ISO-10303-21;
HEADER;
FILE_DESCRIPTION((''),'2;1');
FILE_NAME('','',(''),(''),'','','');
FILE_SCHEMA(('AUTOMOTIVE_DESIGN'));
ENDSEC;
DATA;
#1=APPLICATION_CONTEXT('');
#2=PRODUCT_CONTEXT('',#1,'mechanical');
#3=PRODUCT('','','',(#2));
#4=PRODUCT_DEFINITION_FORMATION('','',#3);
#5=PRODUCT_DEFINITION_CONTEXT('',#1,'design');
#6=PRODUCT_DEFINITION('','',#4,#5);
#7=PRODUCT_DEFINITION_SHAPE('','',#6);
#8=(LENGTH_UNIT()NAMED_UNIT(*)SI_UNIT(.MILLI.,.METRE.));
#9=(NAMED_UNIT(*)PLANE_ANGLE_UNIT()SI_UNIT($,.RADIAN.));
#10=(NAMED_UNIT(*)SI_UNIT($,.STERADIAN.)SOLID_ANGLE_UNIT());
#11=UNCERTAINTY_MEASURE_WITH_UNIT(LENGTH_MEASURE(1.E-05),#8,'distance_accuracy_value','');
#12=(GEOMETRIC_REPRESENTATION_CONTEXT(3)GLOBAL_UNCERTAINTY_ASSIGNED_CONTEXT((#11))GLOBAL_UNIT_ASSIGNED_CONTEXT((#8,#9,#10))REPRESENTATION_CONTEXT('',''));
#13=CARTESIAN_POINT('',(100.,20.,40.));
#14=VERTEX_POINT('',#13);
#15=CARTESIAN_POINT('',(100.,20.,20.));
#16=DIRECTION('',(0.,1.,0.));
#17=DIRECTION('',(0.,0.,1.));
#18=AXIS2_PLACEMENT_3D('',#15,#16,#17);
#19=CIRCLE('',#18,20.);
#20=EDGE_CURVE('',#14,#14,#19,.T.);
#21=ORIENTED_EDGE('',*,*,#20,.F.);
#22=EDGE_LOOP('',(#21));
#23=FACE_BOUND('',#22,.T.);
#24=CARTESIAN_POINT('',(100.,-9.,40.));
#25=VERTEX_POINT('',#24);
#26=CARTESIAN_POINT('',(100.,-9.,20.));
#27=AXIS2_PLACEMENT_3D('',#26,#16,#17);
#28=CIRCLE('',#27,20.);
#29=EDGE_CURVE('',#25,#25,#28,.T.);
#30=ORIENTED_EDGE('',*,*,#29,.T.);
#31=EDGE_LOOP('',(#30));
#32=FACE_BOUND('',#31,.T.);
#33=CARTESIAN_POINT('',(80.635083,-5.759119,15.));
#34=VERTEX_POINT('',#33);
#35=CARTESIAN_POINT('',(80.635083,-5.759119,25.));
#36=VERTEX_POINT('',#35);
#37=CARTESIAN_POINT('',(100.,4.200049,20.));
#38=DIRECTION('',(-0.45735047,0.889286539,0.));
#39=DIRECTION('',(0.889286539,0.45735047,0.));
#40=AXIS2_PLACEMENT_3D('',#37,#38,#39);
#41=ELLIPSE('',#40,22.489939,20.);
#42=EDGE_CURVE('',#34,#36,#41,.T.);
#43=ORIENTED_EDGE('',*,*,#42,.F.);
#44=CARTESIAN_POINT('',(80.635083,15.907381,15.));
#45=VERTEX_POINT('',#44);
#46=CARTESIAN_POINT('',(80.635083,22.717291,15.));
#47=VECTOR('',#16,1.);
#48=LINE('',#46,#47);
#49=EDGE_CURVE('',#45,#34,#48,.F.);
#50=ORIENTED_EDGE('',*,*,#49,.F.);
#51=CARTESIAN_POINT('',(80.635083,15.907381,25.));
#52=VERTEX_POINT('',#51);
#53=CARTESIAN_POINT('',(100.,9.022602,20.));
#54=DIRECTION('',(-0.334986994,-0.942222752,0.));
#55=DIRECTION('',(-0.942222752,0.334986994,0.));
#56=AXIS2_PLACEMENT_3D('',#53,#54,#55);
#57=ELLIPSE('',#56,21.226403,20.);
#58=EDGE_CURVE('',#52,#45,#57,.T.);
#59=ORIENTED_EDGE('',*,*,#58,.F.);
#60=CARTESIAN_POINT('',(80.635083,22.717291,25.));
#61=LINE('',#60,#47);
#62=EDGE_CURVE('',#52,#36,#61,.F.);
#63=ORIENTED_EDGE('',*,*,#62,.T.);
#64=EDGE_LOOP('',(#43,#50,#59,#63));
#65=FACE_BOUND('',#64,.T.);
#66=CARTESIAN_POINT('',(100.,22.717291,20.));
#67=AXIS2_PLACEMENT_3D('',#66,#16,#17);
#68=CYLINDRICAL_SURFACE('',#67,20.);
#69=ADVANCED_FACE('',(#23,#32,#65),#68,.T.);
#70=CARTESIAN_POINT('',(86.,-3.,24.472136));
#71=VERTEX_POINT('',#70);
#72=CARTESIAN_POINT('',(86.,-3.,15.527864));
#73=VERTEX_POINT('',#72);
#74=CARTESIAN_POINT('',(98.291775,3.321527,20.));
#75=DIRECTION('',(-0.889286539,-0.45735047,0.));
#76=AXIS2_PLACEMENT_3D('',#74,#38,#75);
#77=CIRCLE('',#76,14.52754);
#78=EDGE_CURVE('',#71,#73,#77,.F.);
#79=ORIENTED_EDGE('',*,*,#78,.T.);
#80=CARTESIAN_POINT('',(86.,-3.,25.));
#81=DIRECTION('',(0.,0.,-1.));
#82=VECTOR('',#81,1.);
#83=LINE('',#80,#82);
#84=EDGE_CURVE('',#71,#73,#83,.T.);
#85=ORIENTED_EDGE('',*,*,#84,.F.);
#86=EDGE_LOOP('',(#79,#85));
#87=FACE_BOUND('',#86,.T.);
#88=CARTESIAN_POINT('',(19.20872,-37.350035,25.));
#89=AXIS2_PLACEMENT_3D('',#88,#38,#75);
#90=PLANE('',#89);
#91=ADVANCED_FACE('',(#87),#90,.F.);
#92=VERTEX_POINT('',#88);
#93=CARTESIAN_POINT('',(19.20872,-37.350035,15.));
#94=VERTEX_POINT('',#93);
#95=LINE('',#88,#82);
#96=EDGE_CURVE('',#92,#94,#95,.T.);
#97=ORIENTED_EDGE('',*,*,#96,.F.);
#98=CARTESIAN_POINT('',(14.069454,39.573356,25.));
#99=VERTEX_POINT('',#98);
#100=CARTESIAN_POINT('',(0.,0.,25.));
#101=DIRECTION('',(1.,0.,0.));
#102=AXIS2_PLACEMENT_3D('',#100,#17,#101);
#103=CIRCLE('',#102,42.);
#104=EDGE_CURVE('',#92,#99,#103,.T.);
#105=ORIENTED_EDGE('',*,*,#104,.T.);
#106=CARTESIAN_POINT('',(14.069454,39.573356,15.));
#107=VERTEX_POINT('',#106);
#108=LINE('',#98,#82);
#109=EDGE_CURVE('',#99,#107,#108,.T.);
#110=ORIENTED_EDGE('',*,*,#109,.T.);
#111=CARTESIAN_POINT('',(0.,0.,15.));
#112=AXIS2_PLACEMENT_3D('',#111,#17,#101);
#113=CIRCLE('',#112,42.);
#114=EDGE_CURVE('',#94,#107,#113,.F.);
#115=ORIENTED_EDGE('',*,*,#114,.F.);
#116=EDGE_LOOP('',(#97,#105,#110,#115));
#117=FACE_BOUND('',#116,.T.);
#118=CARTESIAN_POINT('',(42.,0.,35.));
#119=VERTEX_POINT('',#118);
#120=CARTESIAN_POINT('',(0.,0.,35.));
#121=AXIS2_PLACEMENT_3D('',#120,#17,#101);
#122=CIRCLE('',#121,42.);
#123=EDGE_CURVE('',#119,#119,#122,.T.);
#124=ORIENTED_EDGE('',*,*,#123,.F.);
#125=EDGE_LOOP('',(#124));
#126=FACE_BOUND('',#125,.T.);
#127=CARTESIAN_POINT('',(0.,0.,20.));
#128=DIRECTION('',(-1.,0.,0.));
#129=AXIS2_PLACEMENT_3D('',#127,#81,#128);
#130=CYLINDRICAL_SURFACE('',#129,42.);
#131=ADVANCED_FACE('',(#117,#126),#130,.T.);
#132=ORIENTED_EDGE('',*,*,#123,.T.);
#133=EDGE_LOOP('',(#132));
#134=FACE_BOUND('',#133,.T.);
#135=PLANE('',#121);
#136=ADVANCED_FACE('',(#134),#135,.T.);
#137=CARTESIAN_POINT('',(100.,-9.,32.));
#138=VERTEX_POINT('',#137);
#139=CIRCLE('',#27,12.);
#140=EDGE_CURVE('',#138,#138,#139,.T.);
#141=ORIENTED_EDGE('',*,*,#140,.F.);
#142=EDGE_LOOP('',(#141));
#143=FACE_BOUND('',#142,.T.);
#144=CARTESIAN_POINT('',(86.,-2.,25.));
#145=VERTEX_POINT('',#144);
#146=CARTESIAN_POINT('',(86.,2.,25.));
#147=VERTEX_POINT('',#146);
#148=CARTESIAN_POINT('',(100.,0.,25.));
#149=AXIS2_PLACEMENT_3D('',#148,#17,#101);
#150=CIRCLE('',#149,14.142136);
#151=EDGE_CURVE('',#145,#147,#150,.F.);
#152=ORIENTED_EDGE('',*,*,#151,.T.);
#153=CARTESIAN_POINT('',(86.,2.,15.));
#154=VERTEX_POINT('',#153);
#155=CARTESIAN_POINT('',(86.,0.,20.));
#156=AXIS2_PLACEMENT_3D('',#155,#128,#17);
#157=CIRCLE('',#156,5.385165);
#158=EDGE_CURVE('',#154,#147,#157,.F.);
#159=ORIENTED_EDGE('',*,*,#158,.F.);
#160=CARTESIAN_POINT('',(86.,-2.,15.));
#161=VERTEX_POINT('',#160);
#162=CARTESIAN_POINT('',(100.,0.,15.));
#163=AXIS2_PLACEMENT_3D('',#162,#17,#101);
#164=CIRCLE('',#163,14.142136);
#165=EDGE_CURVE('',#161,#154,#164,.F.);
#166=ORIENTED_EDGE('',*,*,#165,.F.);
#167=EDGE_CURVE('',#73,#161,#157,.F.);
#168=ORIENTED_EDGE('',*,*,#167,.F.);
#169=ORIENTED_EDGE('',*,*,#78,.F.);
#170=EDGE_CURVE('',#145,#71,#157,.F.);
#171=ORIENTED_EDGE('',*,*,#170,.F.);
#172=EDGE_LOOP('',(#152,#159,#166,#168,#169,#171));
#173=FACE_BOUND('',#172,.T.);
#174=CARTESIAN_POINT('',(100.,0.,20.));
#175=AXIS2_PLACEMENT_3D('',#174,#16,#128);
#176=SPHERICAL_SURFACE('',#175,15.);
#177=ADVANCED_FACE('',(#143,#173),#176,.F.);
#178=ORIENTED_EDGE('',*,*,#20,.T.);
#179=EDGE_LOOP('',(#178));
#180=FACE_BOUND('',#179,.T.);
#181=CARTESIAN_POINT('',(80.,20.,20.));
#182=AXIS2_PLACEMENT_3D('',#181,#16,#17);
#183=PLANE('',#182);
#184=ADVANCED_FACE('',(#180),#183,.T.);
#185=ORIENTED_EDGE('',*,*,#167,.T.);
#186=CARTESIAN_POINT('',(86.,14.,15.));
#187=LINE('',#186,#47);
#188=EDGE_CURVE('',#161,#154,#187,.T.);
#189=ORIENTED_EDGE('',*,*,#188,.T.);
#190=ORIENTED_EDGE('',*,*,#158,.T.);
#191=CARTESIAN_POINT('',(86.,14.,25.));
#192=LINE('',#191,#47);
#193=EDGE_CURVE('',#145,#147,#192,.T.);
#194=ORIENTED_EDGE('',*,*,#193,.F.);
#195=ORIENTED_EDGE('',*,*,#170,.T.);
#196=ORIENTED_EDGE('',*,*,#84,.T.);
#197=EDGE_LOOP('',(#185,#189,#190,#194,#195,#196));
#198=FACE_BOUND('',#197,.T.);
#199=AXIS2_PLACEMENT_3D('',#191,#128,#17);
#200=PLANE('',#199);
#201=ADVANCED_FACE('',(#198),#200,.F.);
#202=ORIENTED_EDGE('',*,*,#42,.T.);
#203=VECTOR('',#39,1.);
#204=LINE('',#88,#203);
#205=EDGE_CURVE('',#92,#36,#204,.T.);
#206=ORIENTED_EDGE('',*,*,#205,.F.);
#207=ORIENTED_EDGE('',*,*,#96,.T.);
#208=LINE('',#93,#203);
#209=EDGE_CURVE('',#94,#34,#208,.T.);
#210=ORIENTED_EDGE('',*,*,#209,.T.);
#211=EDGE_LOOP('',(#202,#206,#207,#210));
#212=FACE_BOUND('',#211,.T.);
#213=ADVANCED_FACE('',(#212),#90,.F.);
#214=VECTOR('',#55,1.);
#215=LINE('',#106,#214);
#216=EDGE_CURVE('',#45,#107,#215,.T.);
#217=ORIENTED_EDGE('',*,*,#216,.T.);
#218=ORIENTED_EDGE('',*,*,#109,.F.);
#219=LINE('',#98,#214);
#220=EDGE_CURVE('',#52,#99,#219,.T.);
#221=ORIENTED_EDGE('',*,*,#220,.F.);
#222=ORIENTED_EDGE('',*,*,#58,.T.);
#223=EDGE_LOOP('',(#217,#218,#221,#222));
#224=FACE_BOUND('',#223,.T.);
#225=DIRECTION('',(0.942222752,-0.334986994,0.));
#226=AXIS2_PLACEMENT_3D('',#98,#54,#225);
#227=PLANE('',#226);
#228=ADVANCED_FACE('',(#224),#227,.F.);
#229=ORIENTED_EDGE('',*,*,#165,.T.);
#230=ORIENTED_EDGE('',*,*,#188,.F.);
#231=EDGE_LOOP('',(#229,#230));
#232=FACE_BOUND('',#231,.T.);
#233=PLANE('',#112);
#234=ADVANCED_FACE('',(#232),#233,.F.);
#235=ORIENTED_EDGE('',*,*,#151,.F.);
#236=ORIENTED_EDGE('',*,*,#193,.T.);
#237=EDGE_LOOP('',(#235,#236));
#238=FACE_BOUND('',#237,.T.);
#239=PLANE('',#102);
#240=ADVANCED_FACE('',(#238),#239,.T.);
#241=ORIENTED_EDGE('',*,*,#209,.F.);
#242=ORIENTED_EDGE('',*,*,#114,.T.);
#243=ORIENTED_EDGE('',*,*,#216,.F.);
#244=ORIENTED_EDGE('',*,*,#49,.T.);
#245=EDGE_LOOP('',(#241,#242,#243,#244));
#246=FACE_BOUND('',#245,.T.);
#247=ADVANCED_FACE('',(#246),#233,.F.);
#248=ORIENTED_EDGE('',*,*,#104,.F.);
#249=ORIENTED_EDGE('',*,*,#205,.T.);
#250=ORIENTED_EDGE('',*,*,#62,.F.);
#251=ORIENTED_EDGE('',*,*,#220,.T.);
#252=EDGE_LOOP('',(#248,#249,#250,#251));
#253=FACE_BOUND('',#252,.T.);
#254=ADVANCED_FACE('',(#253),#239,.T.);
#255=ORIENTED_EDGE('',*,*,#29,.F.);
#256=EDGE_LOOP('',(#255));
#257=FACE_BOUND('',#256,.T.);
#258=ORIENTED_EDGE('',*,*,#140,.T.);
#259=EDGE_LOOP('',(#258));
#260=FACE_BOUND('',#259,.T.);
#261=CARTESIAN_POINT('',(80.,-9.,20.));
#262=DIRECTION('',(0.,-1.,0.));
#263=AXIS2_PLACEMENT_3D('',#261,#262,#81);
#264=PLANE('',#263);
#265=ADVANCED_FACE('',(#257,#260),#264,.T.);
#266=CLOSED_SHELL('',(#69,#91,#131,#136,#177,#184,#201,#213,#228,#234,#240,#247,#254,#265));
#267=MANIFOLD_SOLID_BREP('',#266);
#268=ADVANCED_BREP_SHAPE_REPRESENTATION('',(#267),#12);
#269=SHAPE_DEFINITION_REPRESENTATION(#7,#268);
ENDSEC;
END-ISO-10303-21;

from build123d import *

# Parameters (mm, degrees)
SKETCH_1_R          = 42
EXTRUDE_1_DEPTH     = 20
EXTRUDE_2_DEPTH     = 5
SKETCH_4_R          = 42
CUT_EXTRUDE_1_DEPTH = 15
SKETCH_5_R          = 42
EXTRUDE_3_DEPTH     = 10


with BuildPart() as part:
    # 草图1 → 凸台-拉伸1 (new body)
    with BuildSketch(Plane.XY):
        Circle(SKETCH_1_R)
    extrude(amount=EXTRUDE_1_DEPTH)



with BuildPart() as body_2:
    # 草图2 → 旋转1 (revolve)
    with BuildSketch(Plane.XY.offset(20), mode=Mode.PRIVATE) as revolve_1_sk:
        with BuildLine():
            Line((100, 20), (100, 15))
            ThreePointArc((100, 15), (86.583592135, 6.708203932), (88, -9))
            Line((88, -9), (80, -9))
            Line((80, -9), (80, 20))
            Line((80, 20), (100, 20))
        make_face()
    revolve(revolve_1_sk.sketch.rotate(Axis((100, 22.717290725, 20), (0, -1, 0)), 270), axis=Axis((100, 22.717290725, 20), (0, -1, 0)))


with BuildPart() as part_1:
    add(part.part)

    add(body_2.part)  # 凸台-拉伸2 merges body 2
    # 草图3 → 凸台-拉伸2 (add, symmetric)
    with BuildSketch(Plane.XY.offset(20)):
        with BuildLine():
            Line((14.069453744, 39.573355574), (86, 14))
            Line((86, 14), (86, -3))
            Line((86, -3), (19.208719722, -37.350034627))
            ThreePointArc((19.208719722, -37.350034627), (-41.906577017, -2.79978619), (14.069453744, 39.573355574))
        make_face()
    extrude(amount=EXTRUDE_2_DEPTH, both=True)

    # 草图4 → 切除-拉伸1 (cut)
    with BuildSketch(Plane(origin=(0, 0, 0), x_dir=(-1, 0, 0), z_dir=(0, 0, -1))):
        Circle(SKETCH_4_R)
    extrude(amount=-CUT_EXTRUDE_1_DEPTH, mode=Mode.SUBTRACT)

    # 草图5 → 凸台-拉伸3 (add)
    with BuildSketch(Plane.XY.offset(25)):
        with Locations(Location((0, 0, 0), (0, 0, 70.428252948))):
            Circle(SKETCH_5_R)
    extrude(amount=EXTRUDE_3_DEPTH)


solid = part_1.part
